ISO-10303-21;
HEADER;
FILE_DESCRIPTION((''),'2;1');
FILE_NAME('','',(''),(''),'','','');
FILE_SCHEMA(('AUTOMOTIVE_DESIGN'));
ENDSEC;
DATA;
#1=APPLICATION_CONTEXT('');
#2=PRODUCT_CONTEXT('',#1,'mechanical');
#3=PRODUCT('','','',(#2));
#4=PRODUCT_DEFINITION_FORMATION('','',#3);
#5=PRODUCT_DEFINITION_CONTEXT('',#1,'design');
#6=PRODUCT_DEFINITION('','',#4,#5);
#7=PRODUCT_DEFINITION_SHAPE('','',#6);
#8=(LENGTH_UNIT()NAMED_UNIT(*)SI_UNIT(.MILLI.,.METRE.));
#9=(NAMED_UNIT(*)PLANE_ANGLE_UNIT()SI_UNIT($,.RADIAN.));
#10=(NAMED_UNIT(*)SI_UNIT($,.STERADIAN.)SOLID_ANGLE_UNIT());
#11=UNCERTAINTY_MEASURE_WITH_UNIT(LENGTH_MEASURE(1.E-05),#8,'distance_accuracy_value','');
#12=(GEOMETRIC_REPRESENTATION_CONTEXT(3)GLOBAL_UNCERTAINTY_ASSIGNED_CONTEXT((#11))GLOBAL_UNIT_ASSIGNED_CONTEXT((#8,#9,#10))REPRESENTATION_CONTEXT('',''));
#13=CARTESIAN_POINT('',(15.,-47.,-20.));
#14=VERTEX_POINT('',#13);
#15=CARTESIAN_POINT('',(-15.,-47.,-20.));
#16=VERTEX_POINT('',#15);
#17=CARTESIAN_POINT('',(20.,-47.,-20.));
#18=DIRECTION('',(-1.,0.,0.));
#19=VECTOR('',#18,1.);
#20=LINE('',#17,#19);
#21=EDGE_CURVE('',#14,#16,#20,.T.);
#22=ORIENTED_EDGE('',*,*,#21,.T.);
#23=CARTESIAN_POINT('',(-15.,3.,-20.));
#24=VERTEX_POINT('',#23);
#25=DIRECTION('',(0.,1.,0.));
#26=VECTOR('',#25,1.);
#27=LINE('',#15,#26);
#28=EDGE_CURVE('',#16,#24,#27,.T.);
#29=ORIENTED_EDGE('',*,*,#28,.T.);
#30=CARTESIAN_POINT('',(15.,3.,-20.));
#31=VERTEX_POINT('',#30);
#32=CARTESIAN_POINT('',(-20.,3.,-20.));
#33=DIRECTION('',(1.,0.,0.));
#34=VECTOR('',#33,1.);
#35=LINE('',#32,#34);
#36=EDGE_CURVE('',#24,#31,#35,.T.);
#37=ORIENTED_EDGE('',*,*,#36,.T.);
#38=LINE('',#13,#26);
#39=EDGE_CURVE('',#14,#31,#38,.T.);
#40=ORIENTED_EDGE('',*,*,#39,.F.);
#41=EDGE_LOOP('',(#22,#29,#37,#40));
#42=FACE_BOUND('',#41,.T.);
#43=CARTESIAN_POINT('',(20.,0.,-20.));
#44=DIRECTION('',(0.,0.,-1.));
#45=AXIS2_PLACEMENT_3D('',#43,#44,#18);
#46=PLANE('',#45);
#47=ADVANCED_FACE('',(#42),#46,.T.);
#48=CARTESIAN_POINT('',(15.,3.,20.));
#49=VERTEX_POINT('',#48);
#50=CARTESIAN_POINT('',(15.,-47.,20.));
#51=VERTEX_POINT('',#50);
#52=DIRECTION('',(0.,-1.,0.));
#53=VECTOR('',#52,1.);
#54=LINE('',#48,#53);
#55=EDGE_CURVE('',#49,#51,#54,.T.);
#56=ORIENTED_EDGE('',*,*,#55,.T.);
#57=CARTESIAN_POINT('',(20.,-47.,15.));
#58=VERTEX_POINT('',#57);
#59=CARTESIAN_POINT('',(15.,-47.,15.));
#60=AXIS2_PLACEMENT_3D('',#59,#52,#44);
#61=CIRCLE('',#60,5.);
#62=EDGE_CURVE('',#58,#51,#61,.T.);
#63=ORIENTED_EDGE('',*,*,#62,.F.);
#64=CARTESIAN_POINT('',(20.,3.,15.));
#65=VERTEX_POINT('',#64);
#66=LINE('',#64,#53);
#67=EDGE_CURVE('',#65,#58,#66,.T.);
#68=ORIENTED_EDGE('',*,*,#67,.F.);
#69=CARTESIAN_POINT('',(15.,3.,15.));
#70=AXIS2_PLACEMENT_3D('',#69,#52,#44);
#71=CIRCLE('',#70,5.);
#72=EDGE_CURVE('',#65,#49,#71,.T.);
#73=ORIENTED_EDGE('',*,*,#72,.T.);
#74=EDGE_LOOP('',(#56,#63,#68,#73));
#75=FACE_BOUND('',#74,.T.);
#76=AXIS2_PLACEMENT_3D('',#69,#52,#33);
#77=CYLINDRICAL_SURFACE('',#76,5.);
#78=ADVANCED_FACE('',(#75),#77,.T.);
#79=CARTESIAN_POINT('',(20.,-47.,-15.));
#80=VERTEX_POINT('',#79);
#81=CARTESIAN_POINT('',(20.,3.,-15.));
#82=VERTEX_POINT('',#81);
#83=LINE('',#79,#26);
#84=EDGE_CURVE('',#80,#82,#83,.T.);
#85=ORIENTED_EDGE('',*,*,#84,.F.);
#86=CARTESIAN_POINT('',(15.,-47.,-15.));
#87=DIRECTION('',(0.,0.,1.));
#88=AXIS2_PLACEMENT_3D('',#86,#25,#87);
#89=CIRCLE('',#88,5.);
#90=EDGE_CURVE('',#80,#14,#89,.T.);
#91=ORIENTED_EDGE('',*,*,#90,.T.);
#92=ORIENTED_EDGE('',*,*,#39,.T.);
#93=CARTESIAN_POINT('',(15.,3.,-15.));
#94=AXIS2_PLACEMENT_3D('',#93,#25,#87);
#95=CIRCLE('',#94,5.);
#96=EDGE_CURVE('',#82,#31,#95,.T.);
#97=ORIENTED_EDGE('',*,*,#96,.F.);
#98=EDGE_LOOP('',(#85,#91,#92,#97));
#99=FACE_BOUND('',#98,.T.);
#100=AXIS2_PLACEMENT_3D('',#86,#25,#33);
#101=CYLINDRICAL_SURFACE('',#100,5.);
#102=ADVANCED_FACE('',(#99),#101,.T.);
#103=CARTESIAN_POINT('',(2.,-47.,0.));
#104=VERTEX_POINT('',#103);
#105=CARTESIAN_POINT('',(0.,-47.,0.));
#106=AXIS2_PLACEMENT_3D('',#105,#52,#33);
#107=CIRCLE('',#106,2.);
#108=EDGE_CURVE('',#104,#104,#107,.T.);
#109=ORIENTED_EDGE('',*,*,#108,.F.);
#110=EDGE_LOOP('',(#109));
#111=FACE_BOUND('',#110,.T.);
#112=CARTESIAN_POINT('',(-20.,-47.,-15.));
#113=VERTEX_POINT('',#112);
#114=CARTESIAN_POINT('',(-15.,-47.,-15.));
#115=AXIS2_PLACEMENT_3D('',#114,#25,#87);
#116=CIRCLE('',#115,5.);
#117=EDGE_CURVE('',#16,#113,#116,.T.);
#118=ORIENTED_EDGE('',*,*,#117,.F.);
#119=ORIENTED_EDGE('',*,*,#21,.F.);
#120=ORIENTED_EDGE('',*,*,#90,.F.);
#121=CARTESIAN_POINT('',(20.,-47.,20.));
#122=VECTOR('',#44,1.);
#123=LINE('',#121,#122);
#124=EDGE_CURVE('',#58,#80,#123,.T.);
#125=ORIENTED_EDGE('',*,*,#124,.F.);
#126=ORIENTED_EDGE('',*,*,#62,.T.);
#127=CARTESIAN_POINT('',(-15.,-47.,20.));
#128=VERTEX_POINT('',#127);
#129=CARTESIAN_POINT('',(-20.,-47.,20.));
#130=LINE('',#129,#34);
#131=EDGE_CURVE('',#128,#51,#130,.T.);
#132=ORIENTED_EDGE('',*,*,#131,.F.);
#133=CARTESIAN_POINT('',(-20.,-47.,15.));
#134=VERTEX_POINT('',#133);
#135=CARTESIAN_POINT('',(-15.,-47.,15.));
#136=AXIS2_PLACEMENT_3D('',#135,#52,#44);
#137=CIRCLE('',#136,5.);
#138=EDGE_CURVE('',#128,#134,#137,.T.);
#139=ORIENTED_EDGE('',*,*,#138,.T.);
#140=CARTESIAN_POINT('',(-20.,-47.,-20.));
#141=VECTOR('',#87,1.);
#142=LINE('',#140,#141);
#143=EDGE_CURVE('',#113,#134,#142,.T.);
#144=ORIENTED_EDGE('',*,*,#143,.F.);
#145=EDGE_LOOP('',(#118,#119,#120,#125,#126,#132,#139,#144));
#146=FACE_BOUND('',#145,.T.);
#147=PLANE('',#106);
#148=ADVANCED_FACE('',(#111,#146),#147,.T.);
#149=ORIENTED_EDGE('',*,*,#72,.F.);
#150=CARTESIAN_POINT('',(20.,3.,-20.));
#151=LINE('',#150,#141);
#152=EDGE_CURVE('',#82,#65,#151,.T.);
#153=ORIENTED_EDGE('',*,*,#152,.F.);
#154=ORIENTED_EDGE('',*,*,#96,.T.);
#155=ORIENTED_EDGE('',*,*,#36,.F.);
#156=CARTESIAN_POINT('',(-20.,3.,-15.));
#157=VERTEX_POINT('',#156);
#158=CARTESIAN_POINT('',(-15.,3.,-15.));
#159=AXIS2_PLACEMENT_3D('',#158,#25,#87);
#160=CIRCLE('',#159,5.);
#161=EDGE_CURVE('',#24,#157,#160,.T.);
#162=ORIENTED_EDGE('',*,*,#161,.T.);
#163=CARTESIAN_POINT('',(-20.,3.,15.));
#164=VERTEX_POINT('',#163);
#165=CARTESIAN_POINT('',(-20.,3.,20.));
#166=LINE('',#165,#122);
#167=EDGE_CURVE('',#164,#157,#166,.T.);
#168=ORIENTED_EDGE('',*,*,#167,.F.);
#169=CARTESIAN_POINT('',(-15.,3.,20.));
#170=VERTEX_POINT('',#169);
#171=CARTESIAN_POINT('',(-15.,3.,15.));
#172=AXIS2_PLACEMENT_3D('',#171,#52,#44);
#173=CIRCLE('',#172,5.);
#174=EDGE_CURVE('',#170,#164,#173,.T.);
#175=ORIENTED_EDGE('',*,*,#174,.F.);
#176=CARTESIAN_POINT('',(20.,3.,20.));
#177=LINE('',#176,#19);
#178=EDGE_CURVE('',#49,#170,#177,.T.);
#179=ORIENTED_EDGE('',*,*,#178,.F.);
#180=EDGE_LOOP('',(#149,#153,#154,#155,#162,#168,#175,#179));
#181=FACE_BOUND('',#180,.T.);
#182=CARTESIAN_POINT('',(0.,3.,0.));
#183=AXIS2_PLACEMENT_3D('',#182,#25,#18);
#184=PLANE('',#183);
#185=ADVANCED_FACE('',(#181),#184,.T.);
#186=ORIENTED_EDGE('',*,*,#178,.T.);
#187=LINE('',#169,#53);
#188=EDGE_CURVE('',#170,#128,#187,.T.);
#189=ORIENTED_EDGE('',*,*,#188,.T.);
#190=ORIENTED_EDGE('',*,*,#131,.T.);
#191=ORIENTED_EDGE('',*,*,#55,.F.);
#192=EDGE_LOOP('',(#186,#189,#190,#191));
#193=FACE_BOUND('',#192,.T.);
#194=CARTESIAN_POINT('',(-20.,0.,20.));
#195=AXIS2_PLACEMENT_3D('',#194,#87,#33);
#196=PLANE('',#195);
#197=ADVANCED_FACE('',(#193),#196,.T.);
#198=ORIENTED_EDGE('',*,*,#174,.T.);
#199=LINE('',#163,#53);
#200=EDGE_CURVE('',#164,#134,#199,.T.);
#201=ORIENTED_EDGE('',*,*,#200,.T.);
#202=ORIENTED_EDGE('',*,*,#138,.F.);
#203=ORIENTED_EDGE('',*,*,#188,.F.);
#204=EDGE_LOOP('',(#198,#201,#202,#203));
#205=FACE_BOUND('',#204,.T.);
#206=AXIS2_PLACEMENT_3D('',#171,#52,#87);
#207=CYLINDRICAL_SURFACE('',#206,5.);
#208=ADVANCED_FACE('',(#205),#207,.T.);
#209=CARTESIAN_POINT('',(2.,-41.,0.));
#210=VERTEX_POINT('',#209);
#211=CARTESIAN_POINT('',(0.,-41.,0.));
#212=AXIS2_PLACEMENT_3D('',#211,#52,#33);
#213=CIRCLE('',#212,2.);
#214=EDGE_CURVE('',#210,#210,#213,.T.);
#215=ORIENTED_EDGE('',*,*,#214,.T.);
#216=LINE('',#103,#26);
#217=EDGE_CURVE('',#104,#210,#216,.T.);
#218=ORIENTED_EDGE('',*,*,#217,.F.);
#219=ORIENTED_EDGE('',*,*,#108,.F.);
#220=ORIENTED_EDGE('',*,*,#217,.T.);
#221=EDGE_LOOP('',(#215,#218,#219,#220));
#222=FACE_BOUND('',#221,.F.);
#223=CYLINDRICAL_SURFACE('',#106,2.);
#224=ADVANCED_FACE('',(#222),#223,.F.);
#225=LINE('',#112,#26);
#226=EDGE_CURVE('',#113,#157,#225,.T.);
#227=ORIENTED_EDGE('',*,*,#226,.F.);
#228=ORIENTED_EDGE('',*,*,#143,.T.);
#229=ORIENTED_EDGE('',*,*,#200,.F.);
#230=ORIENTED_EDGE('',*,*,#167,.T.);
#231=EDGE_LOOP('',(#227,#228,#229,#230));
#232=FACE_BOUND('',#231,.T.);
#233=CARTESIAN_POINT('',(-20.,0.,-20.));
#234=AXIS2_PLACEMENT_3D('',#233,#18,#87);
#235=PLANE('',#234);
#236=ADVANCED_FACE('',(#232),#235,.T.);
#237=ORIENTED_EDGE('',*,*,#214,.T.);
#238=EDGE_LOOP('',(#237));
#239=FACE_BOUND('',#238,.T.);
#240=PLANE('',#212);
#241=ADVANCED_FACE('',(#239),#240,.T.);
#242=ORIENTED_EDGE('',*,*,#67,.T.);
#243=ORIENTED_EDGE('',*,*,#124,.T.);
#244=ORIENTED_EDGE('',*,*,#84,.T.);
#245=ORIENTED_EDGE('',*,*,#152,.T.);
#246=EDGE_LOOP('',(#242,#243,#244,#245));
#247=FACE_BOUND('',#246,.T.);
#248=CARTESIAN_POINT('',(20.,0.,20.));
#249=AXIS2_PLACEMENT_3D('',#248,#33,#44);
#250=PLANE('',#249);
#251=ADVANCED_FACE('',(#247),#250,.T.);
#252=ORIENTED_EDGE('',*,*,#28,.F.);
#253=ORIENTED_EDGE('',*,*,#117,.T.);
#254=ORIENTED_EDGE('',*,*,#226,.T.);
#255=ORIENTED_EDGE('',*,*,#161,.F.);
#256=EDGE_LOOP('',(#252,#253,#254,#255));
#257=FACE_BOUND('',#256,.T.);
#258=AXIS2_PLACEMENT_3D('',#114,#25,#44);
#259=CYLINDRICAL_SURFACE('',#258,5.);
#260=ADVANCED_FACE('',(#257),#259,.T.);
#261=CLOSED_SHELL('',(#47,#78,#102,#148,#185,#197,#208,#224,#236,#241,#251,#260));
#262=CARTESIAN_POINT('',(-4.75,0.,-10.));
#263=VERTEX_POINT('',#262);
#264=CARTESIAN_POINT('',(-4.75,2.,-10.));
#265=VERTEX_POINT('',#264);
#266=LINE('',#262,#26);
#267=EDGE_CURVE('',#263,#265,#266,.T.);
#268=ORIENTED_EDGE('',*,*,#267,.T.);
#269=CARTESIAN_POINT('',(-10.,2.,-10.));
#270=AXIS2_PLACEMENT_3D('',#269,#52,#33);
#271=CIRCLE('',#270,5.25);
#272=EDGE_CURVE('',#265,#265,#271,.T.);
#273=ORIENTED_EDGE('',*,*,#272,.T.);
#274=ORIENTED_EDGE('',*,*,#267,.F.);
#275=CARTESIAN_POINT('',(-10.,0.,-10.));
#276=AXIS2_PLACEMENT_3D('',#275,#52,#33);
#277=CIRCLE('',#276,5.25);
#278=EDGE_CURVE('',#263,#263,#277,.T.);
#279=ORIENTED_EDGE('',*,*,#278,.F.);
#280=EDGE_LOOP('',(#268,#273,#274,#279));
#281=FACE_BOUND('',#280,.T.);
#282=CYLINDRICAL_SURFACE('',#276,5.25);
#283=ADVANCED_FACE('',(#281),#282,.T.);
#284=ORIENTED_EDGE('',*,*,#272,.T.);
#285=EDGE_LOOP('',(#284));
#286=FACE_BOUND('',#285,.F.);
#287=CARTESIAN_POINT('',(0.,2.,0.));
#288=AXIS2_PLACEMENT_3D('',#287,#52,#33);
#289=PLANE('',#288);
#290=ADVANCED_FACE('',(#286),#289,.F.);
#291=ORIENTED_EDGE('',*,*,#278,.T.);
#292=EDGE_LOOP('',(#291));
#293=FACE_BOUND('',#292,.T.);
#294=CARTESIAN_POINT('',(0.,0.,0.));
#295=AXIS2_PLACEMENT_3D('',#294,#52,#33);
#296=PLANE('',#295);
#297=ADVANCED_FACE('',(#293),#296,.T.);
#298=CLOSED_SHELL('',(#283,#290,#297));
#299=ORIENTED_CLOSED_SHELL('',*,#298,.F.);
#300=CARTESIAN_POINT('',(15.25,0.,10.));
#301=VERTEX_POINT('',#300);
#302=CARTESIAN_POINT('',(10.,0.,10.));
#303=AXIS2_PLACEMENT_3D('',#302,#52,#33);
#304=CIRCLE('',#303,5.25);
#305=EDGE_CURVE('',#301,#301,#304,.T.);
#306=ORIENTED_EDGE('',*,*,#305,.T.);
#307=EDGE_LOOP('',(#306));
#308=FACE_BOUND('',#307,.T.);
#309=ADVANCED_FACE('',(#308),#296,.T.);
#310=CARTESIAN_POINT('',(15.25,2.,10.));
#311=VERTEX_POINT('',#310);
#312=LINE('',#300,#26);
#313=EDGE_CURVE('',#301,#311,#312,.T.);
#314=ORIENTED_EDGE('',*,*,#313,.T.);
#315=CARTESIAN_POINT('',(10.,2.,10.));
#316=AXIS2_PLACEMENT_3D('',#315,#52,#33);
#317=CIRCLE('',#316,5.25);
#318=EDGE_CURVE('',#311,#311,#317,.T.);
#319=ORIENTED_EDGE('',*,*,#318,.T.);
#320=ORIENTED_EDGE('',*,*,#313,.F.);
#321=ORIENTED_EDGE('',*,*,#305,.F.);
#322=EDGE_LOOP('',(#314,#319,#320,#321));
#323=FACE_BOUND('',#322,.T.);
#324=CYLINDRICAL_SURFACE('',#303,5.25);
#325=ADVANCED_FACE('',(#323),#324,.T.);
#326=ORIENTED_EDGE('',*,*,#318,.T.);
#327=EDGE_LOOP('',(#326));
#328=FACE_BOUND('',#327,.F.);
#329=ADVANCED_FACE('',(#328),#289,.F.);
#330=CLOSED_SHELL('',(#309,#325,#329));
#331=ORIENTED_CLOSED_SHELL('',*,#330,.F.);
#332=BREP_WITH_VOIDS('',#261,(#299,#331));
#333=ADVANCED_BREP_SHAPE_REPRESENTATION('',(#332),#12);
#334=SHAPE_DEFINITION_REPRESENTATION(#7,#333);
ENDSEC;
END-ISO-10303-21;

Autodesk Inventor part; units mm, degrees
ref_plane "YZ Plane" through (0, 0, 0) normal (1, 0, 0) x (0, 1, 0)
ref_plane "XZ Plane" through (0, 0, 0) normal (0, 1, 0) x (-1, 0, 0)
ref_plane "XY Plane" through (0, 0, 0) normal (0, 0, 1) x (1, 0, 0)
sketch "Skizze1" plane through (0, 0, 0) normal (0, 1, 0) x (-1, 0, 0)
  line L0 (-20, 20) -> (20, 20)
  line L1 (20, 20) -> (20, -20)
  line L2 (20, -20) -> (-20, -20)
  line L3 (-20, -20) -> (-20, 20)
  line L4 (-20, 20) -> (20, -20) construction
  line L5 (20, 20) -> (-20, -20) construction
  line L6 (20, 20) -> (0, 20) construction
  line L7 (0, 20) -> (0, 0) construction
  line L8 (0, 0) -> (20, 0) construction
  line L9 (20, 0) -> (20, 20) construction
  line L10 (0, 0) -> (-20, 0) construction
  line L11 (-20, 0) -> (-20, -20) construction
  line L12 (-20, -20) -> (0, -20) construction
  line L13 (0, -20) -> (0, 0) construction
  point P0 (10, 10)
  point P1 (-10, -10)
  dimension "d0" = 40
  dimension "d1" = 40
extrude "Extrusion1" add sketch "Skizze1" along normal blind 3
sketch "Skizze2" plane through (0, 0, 0) normal (0, -1, 0) x (1, 0, 0)
  line L0 (20, -20) -> (-20, -20) construction
  line L1 (20, 20) -> (20, -20) construction
  line L2 (-20, 20) -> (20, 20) construction
  line L3 (-20, -20) -> (-20, 20) construction
  line L4 (20, 20) -> (0, 20) construction
  line L5 (0, 20) -> (0, 0) construction
  line L6 (0, 0) -> (20, 0) construction
  line L7 (20, 0) -> (20, 20) construction
  line L8 (-20, -20) -> (0, -20) construction
  line L9 (0, -20) -> (0, 0) construction
  line L10 (0, 0) -> (-20, 0) construction
  line L11 (-20, 0) -> (-20, -20) construction
  circle A0 centre (10, 10) radius 5.25
  circle A1 centre (-10, -10) radius 5.25
  dimension "d4" = 10.5
  dimension "d5" = 10.5
extrude "Extrusion2" cut sketch "Skizze2" against normal blind 2
sketch "Skizze4" plane through (0, 0, 0) normal (0, -1, 0) x (1, 0, 0)
  line L0 (20, 20) -> (20, -20) projected
  line L1 (-20, -20) -> (-20, 20) projected
  line L2 (-20, 20) -> (20, 20) projected
  line L3 (20, -20) -> (-20, -20) projected
  line L4 (20, 20) -> (-20, 20)
  line L5 (-20, 20) -> (-20, -20)
  line L6 (-20, -20) -> (20, -20)
  line L7 (20, -20) -> (20, 20)
  point P0 (0, 0)
extrude "Extrusion3" add sketch "Skizze4" along normal blind 47
sketch "Sketch6" plane through (0, -47, 0) normal (0, -1, 0) x (1, 0, 0)
  circle A0 centre (0, 0) radius 2
  dimension "d20" = 4
extrude "Extrusion4" cut sketch "Sketch6" against normal blind 6
fillet "Fillet1" radius 5 4 edges at (-20, -22, 20) (-20, -22, -20) (20, -22, -20) (20, -22, 20)
ref_plane "Arbeitsebene2" through (-18.5355, -47, -18.5355) normal (-0.7071, 0, 0.7071) x (0.7071, 0, 0.7071)
properties part number "Stützblöcke"
